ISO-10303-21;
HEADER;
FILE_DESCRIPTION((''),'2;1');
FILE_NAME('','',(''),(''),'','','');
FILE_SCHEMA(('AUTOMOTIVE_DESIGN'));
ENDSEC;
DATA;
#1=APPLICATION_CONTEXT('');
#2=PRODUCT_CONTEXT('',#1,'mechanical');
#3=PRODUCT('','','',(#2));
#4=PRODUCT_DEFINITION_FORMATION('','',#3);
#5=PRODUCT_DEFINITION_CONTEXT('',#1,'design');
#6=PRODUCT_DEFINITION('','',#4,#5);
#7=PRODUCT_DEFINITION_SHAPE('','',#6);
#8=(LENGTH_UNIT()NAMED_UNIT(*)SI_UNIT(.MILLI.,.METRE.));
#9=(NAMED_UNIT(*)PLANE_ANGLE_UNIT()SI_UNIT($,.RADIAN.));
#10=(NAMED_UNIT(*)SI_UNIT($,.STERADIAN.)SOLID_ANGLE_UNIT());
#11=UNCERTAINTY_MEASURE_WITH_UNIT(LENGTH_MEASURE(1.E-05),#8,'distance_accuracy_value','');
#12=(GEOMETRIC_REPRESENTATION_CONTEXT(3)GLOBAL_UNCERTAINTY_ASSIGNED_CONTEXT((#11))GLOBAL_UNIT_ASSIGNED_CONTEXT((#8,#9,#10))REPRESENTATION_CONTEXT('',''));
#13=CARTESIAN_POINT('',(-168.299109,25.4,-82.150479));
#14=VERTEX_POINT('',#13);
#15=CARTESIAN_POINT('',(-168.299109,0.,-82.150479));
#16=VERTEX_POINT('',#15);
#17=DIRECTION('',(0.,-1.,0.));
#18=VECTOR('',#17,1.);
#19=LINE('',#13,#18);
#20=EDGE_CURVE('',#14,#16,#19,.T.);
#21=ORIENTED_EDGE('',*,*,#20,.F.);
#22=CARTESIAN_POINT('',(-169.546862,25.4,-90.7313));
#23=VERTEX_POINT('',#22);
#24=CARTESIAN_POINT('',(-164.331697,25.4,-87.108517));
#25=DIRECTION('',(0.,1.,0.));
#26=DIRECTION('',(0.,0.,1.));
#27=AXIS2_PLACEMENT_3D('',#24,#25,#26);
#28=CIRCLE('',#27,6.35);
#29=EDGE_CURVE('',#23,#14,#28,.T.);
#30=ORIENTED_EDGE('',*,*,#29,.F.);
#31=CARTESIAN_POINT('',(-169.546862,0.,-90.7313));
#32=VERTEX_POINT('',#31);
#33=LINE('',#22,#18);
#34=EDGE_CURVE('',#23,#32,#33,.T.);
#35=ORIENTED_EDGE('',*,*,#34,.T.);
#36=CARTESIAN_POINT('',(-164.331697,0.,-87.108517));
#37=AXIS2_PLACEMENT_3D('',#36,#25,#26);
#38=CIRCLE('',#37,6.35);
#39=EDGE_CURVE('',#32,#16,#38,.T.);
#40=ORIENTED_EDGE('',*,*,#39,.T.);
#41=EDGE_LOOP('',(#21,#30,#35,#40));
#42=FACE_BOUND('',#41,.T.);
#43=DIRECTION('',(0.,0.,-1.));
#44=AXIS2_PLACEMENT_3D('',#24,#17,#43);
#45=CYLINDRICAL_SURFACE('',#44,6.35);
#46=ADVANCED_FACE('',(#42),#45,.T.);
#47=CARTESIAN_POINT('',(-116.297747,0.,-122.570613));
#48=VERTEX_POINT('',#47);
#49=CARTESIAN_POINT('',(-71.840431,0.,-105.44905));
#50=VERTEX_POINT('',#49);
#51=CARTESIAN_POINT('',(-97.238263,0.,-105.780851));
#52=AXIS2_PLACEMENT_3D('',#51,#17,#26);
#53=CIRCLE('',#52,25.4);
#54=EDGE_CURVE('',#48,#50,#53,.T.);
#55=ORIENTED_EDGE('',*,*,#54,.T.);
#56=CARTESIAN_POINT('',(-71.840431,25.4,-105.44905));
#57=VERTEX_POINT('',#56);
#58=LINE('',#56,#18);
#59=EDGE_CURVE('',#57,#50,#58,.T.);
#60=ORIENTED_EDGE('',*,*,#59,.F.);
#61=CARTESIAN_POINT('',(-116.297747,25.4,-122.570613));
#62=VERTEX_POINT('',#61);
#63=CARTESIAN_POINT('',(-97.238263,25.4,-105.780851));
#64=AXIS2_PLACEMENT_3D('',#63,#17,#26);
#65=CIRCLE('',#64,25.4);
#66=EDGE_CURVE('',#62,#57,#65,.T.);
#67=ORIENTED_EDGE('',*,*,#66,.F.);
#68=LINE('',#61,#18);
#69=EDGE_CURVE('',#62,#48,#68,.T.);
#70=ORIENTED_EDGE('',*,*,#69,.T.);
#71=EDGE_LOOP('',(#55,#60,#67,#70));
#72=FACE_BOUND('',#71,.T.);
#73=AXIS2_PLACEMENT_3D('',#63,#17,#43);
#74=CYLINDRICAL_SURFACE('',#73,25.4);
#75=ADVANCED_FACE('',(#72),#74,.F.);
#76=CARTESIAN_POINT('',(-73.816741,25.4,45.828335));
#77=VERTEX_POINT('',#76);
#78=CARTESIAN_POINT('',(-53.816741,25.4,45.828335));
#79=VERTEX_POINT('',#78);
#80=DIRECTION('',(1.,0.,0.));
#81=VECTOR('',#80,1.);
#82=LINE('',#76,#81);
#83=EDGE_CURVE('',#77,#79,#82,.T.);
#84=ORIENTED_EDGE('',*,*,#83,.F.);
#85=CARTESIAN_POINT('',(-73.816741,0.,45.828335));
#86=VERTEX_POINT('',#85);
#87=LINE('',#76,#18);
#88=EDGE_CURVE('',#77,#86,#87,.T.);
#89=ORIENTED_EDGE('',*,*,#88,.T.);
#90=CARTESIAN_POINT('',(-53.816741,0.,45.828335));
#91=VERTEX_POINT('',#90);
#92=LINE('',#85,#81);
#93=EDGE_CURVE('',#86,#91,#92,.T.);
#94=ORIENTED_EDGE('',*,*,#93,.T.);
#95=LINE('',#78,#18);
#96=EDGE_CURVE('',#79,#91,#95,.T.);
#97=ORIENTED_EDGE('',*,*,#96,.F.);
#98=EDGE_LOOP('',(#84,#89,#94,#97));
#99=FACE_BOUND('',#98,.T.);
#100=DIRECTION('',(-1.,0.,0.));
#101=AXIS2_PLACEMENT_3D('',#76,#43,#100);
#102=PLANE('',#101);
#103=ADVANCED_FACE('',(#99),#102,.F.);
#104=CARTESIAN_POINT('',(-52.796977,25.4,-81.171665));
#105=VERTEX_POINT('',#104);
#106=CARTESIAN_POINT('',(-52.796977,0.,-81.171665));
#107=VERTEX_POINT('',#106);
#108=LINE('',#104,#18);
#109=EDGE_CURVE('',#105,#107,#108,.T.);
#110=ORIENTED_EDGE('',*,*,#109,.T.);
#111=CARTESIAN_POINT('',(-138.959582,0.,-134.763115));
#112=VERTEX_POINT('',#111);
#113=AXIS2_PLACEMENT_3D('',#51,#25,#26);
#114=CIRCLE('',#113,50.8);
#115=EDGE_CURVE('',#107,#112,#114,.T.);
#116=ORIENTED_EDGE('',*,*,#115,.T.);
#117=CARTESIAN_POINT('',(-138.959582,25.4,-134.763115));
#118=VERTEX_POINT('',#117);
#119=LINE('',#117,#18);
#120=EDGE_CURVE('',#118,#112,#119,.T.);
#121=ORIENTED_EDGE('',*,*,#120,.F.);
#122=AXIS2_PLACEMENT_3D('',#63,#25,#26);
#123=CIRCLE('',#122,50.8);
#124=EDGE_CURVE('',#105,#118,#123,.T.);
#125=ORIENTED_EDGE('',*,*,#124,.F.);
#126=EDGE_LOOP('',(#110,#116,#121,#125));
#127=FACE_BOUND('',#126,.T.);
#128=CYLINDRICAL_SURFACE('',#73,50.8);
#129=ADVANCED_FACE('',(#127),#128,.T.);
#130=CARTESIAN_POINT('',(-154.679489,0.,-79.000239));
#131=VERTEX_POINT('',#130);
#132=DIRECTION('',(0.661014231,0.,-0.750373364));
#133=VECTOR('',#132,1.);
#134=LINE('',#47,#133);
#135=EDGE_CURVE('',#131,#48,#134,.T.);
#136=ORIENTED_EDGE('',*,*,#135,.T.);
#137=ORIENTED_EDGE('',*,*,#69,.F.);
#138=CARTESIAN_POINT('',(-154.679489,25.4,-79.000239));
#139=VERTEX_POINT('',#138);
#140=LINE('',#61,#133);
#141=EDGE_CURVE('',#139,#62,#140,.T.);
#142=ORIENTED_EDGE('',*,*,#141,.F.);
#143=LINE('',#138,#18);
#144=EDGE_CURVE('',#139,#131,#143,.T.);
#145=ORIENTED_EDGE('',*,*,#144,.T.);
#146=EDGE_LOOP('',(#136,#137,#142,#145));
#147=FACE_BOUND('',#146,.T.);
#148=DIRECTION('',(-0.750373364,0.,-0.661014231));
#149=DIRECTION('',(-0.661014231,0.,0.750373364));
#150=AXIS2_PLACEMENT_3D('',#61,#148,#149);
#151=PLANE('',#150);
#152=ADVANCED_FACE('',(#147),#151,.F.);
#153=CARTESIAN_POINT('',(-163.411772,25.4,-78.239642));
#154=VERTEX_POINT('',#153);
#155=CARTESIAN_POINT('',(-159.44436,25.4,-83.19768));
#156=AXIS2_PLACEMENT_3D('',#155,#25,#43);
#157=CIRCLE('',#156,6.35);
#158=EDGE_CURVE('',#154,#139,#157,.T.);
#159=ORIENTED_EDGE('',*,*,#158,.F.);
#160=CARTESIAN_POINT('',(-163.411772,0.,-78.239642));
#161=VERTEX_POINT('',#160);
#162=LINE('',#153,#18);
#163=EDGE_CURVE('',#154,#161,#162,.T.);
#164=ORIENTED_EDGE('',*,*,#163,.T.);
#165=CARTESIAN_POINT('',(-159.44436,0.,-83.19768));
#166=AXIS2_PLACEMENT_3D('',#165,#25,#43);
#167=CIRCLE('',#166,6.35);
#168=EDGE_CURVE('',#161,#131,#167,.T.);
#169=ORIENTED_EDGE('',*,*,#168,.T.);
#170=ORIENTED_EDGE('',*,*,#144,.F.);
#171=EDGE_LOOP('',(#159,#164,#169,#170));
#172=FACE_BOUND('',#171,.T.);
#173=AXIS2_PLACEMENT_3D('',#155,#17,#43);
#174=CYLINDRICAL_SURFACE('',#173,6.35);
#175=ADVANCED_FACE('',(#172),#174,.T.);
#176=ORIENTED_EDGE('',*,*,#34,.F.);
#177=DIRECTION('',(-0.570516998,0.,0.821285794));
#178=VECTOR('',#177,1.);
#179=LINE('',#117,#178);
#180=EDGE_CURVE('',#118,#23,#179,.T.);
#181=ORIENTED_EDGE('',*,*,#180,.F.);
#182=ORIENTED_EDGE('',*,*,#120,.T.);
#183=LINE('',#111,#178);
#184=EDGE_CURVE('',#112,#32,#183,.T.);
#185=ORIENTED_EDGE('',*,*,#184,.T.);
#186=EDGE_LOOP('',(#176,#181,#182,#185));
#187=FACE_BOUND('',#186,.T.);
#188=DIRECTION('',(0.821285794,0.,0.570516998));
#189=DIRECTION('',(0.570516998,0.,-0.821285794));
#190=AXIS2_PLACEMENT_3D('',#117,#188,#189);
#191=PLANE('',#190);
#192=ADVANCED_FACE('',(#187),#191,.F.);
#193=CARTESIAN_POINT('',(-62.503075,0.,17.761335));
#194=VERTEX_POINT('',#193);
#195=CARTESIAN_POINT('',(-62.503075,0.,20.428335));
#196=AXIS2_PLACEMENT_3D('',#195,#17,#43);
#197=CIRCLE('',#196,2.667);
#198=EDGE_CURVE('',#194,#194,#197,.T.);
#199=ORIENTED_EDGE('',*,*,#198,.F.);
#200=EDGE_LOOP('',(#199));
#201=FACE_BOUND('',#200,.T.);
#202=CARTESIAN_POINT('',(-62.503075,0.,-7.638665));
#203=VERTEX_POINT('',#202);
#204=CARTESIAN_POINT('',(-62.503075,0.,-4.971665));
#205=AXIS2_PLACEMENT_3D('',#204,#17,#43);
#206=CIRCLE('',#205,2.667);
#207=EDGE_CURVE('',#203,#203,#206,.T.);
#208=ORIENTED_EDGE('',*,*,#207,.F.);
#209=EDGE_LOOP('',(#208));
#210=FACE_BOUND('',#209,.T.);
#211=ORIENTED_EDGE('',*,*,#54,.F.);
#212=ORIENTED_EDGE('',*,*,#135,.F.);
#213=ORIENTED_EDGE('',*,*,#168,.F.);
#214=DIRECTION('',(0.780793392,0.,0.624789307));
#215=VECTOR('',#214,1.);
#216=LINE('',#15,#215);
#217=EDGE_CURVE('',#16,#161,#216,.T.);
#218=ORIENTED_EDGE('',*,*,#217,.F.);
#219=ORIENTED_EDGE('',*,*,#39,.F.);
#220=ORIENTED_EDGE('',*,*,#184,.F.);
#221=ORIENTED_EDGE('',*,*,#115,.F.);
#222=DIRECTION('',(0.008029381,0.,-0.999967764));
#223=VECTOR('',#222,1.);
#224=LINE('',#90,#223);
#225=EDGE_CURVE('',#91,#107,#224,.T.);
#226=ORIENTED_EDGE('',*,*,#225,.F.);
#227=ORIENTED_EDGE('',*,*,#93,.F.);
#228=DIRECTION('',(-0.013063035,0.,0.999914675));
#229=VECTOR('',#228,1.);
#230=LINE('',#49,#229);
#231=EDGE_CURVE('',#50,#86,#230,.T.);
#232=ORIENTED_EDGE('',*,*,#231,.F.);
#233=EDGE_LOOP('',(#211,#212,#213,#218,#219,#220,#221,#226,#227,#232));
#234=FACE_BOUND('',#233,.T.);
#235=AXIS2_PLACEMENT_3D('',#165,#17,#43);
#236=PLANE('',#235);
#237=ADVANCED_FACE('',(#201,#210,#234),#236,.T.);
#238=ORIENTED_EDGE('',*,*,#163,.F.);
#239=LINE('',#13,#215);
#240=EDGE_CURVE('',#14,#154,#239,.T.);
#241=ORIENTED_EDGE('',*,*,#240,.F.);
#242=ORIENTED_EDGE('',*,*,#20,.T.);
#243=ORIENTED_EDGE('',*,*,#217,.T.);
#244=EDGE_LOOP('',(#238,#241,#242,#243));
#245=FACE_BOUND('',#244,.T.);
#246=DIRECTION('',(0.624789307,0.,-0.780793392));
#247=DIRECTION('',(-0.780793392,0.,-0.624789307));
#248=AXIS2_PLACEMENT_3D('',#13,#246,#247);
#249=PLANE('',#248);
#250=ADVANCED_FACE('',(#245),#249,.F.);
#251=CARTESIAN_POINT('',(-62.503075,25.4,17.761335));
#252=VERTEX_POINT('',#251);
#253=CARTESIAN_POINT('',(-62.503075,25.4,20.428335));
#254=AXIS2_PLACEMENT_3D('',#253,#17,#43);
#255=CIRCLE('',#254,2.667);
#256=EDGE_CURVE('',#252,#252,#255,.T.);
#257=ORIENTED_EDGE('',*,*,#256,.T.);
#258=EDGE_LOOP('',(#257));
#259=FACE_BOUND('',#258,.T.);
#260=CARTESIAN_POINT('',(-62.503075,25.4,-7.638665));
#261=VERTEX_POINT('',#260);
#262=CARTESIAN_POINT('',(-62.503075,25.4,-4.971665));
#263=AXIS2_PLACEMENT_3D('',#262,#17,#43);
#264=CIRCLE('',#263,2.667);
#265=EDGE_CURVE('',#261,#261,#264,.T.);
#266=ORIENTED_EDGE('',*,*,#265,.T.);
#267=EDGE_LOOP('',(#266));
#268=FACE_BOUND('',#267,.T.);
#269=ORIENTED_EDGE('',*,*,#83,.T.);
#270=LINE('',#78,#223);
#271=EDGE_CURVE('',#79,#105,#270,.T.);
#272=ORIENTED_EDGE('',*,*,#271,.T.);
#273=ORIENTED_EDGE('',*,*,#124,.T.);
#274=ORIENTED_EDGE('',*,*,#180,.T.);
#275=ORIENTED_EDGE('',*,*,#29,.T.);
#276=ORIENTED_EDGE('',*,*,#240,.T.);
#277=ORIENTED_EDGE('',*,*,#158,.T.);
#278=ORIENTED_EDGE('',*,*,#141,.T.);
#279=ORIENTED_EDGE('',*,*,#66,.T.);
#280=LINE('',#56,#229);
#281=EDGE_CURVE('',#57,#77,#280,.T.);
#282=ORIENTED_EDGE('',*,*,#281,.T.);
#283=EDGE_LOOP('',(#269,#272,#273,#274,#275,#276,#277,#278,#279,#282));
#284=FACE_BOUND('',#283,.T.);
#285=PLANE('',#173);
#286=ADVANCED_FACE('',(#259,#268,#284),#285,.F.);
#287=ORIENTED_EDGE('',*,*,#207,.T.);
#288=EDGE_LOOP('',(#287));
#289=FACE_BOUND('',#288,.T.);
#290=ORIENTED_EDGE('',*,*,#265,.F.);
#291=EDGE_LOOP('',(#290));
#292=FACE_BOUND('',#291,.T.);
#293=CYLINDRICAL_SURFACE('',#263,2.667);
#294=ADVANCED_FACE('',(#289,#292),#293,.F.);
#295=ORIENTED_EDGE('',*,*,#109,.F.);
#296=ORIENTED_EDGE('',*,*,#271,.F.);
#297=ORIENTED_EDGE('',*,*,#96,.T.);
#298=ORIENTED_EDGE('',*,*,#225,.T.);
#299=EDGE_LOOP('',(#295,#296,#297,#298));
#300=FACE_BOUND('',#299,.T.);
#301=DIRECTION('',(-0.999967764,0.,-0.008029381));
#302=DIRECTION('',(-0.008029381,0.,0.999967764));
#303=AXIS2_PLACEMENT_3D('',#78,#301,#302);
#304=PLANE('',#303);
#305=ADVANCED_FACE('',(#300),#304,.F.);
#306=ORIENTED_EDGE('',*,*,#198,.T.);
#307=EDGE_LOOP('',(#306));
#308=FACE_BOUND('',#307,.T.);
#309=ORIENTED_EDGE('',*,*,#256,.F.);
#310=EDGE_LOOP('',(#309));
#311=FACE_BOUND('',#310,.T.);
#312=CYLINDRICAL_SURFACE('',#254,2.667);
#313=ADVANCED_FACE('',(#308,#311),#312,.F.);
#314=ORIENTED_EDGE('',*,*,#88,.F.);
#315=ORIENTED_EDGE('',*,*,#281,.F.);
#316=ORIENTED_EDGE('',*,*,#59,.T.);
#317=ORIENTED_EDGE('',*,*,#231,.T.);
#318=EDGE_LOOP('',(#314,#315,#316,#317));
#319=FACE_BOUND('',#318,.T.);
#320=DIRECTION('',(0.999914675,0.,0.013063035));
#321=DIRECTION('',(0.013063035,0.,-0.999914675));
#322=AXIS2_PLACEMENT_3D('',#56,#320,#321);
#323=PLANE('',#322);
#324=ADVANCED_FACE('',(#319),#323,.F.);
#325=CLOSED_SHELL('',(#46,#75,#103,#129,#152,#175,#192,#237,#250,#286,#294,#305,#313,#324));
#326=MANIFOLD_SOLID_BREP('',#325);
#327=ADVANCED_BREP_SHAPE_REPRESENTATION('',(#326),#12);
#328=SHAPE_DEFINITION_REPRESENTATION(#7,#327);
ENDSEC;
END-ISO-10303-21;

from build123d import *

# Parameters (mm, degrees)
BOSS_EXTRUDE1_DEPTH = 25.4
SKETCH2_R           = 2.667
CUT_EXTRUDE1_DEPTH  = 25.4


with BuildPart() as part:
    # Sketch1 → Boss-Extrude1 (new body)
    with BuildSketch(Plane(origin=(0, 0, 0), x_dir=(1, 0, 0), z_dir=(0, 1, 0))):
        with BuildLine():
            Line((-73.81674099, -45.828335303), (-53.81674099, -45.828335303))
            Line((-53.81674099, -45.828335303), (-52.796976786, 81.171664697))
            ThreePointArc((-52.796976786, 81.171664697), (-70.408048373, 148.917605355), (-138.959581609, 134.763114577))
            Line((-138.959581609, 134.763114577), (-169.546861653, 90.731300142))
            ThreePointArc((-169.546861653, 90.731300142), (-170.615608999, 86.194762182), (-168.299108962, 82.150479165))
            Line((-168.299108962, 82.150479165), (-163.411771612, 78.239641616))
            ThreePointArc((-163.411771612, 78.239641616), (-158.893349235, 76.871631311), (-154.679488648, 79.000239288))
            Line((-154.679488648, 79.000239288), (-116.297746729, 122.570612572))
            ThreePointArc((-116.297746729, 122.570612572), (-88.109701276, 129.483790907), (-71.840430534, 105.449049996))
            Line((-71.840430534, 105.449049996), (-73.81674099, -45.828335303))
        make_face()
    extrude(amount=BOSS_EXTRUDE1_DEPTH)

    # Sketch2 → Cut-Extrude1 (cut)
    with BuildSketch(Plane(origin=(0, 0, 0), x_dir=(-1, 0, 0), z_dir=(0, -1, 0))):
        with Locations(Location((62.503074737, 4.971664697, 0), (0, 0, 90))):
            Circle(SKETCH2_R)
        with Locations(Location((62.503074737, -20.428335303, 0), (0, 0, 90))):
            Circle(SKETCH2_R)
    extrude(amount=-CUT_EXTRUDE1_DEPTH, mode=Mode.SUBTRACT)


solid = part.part
